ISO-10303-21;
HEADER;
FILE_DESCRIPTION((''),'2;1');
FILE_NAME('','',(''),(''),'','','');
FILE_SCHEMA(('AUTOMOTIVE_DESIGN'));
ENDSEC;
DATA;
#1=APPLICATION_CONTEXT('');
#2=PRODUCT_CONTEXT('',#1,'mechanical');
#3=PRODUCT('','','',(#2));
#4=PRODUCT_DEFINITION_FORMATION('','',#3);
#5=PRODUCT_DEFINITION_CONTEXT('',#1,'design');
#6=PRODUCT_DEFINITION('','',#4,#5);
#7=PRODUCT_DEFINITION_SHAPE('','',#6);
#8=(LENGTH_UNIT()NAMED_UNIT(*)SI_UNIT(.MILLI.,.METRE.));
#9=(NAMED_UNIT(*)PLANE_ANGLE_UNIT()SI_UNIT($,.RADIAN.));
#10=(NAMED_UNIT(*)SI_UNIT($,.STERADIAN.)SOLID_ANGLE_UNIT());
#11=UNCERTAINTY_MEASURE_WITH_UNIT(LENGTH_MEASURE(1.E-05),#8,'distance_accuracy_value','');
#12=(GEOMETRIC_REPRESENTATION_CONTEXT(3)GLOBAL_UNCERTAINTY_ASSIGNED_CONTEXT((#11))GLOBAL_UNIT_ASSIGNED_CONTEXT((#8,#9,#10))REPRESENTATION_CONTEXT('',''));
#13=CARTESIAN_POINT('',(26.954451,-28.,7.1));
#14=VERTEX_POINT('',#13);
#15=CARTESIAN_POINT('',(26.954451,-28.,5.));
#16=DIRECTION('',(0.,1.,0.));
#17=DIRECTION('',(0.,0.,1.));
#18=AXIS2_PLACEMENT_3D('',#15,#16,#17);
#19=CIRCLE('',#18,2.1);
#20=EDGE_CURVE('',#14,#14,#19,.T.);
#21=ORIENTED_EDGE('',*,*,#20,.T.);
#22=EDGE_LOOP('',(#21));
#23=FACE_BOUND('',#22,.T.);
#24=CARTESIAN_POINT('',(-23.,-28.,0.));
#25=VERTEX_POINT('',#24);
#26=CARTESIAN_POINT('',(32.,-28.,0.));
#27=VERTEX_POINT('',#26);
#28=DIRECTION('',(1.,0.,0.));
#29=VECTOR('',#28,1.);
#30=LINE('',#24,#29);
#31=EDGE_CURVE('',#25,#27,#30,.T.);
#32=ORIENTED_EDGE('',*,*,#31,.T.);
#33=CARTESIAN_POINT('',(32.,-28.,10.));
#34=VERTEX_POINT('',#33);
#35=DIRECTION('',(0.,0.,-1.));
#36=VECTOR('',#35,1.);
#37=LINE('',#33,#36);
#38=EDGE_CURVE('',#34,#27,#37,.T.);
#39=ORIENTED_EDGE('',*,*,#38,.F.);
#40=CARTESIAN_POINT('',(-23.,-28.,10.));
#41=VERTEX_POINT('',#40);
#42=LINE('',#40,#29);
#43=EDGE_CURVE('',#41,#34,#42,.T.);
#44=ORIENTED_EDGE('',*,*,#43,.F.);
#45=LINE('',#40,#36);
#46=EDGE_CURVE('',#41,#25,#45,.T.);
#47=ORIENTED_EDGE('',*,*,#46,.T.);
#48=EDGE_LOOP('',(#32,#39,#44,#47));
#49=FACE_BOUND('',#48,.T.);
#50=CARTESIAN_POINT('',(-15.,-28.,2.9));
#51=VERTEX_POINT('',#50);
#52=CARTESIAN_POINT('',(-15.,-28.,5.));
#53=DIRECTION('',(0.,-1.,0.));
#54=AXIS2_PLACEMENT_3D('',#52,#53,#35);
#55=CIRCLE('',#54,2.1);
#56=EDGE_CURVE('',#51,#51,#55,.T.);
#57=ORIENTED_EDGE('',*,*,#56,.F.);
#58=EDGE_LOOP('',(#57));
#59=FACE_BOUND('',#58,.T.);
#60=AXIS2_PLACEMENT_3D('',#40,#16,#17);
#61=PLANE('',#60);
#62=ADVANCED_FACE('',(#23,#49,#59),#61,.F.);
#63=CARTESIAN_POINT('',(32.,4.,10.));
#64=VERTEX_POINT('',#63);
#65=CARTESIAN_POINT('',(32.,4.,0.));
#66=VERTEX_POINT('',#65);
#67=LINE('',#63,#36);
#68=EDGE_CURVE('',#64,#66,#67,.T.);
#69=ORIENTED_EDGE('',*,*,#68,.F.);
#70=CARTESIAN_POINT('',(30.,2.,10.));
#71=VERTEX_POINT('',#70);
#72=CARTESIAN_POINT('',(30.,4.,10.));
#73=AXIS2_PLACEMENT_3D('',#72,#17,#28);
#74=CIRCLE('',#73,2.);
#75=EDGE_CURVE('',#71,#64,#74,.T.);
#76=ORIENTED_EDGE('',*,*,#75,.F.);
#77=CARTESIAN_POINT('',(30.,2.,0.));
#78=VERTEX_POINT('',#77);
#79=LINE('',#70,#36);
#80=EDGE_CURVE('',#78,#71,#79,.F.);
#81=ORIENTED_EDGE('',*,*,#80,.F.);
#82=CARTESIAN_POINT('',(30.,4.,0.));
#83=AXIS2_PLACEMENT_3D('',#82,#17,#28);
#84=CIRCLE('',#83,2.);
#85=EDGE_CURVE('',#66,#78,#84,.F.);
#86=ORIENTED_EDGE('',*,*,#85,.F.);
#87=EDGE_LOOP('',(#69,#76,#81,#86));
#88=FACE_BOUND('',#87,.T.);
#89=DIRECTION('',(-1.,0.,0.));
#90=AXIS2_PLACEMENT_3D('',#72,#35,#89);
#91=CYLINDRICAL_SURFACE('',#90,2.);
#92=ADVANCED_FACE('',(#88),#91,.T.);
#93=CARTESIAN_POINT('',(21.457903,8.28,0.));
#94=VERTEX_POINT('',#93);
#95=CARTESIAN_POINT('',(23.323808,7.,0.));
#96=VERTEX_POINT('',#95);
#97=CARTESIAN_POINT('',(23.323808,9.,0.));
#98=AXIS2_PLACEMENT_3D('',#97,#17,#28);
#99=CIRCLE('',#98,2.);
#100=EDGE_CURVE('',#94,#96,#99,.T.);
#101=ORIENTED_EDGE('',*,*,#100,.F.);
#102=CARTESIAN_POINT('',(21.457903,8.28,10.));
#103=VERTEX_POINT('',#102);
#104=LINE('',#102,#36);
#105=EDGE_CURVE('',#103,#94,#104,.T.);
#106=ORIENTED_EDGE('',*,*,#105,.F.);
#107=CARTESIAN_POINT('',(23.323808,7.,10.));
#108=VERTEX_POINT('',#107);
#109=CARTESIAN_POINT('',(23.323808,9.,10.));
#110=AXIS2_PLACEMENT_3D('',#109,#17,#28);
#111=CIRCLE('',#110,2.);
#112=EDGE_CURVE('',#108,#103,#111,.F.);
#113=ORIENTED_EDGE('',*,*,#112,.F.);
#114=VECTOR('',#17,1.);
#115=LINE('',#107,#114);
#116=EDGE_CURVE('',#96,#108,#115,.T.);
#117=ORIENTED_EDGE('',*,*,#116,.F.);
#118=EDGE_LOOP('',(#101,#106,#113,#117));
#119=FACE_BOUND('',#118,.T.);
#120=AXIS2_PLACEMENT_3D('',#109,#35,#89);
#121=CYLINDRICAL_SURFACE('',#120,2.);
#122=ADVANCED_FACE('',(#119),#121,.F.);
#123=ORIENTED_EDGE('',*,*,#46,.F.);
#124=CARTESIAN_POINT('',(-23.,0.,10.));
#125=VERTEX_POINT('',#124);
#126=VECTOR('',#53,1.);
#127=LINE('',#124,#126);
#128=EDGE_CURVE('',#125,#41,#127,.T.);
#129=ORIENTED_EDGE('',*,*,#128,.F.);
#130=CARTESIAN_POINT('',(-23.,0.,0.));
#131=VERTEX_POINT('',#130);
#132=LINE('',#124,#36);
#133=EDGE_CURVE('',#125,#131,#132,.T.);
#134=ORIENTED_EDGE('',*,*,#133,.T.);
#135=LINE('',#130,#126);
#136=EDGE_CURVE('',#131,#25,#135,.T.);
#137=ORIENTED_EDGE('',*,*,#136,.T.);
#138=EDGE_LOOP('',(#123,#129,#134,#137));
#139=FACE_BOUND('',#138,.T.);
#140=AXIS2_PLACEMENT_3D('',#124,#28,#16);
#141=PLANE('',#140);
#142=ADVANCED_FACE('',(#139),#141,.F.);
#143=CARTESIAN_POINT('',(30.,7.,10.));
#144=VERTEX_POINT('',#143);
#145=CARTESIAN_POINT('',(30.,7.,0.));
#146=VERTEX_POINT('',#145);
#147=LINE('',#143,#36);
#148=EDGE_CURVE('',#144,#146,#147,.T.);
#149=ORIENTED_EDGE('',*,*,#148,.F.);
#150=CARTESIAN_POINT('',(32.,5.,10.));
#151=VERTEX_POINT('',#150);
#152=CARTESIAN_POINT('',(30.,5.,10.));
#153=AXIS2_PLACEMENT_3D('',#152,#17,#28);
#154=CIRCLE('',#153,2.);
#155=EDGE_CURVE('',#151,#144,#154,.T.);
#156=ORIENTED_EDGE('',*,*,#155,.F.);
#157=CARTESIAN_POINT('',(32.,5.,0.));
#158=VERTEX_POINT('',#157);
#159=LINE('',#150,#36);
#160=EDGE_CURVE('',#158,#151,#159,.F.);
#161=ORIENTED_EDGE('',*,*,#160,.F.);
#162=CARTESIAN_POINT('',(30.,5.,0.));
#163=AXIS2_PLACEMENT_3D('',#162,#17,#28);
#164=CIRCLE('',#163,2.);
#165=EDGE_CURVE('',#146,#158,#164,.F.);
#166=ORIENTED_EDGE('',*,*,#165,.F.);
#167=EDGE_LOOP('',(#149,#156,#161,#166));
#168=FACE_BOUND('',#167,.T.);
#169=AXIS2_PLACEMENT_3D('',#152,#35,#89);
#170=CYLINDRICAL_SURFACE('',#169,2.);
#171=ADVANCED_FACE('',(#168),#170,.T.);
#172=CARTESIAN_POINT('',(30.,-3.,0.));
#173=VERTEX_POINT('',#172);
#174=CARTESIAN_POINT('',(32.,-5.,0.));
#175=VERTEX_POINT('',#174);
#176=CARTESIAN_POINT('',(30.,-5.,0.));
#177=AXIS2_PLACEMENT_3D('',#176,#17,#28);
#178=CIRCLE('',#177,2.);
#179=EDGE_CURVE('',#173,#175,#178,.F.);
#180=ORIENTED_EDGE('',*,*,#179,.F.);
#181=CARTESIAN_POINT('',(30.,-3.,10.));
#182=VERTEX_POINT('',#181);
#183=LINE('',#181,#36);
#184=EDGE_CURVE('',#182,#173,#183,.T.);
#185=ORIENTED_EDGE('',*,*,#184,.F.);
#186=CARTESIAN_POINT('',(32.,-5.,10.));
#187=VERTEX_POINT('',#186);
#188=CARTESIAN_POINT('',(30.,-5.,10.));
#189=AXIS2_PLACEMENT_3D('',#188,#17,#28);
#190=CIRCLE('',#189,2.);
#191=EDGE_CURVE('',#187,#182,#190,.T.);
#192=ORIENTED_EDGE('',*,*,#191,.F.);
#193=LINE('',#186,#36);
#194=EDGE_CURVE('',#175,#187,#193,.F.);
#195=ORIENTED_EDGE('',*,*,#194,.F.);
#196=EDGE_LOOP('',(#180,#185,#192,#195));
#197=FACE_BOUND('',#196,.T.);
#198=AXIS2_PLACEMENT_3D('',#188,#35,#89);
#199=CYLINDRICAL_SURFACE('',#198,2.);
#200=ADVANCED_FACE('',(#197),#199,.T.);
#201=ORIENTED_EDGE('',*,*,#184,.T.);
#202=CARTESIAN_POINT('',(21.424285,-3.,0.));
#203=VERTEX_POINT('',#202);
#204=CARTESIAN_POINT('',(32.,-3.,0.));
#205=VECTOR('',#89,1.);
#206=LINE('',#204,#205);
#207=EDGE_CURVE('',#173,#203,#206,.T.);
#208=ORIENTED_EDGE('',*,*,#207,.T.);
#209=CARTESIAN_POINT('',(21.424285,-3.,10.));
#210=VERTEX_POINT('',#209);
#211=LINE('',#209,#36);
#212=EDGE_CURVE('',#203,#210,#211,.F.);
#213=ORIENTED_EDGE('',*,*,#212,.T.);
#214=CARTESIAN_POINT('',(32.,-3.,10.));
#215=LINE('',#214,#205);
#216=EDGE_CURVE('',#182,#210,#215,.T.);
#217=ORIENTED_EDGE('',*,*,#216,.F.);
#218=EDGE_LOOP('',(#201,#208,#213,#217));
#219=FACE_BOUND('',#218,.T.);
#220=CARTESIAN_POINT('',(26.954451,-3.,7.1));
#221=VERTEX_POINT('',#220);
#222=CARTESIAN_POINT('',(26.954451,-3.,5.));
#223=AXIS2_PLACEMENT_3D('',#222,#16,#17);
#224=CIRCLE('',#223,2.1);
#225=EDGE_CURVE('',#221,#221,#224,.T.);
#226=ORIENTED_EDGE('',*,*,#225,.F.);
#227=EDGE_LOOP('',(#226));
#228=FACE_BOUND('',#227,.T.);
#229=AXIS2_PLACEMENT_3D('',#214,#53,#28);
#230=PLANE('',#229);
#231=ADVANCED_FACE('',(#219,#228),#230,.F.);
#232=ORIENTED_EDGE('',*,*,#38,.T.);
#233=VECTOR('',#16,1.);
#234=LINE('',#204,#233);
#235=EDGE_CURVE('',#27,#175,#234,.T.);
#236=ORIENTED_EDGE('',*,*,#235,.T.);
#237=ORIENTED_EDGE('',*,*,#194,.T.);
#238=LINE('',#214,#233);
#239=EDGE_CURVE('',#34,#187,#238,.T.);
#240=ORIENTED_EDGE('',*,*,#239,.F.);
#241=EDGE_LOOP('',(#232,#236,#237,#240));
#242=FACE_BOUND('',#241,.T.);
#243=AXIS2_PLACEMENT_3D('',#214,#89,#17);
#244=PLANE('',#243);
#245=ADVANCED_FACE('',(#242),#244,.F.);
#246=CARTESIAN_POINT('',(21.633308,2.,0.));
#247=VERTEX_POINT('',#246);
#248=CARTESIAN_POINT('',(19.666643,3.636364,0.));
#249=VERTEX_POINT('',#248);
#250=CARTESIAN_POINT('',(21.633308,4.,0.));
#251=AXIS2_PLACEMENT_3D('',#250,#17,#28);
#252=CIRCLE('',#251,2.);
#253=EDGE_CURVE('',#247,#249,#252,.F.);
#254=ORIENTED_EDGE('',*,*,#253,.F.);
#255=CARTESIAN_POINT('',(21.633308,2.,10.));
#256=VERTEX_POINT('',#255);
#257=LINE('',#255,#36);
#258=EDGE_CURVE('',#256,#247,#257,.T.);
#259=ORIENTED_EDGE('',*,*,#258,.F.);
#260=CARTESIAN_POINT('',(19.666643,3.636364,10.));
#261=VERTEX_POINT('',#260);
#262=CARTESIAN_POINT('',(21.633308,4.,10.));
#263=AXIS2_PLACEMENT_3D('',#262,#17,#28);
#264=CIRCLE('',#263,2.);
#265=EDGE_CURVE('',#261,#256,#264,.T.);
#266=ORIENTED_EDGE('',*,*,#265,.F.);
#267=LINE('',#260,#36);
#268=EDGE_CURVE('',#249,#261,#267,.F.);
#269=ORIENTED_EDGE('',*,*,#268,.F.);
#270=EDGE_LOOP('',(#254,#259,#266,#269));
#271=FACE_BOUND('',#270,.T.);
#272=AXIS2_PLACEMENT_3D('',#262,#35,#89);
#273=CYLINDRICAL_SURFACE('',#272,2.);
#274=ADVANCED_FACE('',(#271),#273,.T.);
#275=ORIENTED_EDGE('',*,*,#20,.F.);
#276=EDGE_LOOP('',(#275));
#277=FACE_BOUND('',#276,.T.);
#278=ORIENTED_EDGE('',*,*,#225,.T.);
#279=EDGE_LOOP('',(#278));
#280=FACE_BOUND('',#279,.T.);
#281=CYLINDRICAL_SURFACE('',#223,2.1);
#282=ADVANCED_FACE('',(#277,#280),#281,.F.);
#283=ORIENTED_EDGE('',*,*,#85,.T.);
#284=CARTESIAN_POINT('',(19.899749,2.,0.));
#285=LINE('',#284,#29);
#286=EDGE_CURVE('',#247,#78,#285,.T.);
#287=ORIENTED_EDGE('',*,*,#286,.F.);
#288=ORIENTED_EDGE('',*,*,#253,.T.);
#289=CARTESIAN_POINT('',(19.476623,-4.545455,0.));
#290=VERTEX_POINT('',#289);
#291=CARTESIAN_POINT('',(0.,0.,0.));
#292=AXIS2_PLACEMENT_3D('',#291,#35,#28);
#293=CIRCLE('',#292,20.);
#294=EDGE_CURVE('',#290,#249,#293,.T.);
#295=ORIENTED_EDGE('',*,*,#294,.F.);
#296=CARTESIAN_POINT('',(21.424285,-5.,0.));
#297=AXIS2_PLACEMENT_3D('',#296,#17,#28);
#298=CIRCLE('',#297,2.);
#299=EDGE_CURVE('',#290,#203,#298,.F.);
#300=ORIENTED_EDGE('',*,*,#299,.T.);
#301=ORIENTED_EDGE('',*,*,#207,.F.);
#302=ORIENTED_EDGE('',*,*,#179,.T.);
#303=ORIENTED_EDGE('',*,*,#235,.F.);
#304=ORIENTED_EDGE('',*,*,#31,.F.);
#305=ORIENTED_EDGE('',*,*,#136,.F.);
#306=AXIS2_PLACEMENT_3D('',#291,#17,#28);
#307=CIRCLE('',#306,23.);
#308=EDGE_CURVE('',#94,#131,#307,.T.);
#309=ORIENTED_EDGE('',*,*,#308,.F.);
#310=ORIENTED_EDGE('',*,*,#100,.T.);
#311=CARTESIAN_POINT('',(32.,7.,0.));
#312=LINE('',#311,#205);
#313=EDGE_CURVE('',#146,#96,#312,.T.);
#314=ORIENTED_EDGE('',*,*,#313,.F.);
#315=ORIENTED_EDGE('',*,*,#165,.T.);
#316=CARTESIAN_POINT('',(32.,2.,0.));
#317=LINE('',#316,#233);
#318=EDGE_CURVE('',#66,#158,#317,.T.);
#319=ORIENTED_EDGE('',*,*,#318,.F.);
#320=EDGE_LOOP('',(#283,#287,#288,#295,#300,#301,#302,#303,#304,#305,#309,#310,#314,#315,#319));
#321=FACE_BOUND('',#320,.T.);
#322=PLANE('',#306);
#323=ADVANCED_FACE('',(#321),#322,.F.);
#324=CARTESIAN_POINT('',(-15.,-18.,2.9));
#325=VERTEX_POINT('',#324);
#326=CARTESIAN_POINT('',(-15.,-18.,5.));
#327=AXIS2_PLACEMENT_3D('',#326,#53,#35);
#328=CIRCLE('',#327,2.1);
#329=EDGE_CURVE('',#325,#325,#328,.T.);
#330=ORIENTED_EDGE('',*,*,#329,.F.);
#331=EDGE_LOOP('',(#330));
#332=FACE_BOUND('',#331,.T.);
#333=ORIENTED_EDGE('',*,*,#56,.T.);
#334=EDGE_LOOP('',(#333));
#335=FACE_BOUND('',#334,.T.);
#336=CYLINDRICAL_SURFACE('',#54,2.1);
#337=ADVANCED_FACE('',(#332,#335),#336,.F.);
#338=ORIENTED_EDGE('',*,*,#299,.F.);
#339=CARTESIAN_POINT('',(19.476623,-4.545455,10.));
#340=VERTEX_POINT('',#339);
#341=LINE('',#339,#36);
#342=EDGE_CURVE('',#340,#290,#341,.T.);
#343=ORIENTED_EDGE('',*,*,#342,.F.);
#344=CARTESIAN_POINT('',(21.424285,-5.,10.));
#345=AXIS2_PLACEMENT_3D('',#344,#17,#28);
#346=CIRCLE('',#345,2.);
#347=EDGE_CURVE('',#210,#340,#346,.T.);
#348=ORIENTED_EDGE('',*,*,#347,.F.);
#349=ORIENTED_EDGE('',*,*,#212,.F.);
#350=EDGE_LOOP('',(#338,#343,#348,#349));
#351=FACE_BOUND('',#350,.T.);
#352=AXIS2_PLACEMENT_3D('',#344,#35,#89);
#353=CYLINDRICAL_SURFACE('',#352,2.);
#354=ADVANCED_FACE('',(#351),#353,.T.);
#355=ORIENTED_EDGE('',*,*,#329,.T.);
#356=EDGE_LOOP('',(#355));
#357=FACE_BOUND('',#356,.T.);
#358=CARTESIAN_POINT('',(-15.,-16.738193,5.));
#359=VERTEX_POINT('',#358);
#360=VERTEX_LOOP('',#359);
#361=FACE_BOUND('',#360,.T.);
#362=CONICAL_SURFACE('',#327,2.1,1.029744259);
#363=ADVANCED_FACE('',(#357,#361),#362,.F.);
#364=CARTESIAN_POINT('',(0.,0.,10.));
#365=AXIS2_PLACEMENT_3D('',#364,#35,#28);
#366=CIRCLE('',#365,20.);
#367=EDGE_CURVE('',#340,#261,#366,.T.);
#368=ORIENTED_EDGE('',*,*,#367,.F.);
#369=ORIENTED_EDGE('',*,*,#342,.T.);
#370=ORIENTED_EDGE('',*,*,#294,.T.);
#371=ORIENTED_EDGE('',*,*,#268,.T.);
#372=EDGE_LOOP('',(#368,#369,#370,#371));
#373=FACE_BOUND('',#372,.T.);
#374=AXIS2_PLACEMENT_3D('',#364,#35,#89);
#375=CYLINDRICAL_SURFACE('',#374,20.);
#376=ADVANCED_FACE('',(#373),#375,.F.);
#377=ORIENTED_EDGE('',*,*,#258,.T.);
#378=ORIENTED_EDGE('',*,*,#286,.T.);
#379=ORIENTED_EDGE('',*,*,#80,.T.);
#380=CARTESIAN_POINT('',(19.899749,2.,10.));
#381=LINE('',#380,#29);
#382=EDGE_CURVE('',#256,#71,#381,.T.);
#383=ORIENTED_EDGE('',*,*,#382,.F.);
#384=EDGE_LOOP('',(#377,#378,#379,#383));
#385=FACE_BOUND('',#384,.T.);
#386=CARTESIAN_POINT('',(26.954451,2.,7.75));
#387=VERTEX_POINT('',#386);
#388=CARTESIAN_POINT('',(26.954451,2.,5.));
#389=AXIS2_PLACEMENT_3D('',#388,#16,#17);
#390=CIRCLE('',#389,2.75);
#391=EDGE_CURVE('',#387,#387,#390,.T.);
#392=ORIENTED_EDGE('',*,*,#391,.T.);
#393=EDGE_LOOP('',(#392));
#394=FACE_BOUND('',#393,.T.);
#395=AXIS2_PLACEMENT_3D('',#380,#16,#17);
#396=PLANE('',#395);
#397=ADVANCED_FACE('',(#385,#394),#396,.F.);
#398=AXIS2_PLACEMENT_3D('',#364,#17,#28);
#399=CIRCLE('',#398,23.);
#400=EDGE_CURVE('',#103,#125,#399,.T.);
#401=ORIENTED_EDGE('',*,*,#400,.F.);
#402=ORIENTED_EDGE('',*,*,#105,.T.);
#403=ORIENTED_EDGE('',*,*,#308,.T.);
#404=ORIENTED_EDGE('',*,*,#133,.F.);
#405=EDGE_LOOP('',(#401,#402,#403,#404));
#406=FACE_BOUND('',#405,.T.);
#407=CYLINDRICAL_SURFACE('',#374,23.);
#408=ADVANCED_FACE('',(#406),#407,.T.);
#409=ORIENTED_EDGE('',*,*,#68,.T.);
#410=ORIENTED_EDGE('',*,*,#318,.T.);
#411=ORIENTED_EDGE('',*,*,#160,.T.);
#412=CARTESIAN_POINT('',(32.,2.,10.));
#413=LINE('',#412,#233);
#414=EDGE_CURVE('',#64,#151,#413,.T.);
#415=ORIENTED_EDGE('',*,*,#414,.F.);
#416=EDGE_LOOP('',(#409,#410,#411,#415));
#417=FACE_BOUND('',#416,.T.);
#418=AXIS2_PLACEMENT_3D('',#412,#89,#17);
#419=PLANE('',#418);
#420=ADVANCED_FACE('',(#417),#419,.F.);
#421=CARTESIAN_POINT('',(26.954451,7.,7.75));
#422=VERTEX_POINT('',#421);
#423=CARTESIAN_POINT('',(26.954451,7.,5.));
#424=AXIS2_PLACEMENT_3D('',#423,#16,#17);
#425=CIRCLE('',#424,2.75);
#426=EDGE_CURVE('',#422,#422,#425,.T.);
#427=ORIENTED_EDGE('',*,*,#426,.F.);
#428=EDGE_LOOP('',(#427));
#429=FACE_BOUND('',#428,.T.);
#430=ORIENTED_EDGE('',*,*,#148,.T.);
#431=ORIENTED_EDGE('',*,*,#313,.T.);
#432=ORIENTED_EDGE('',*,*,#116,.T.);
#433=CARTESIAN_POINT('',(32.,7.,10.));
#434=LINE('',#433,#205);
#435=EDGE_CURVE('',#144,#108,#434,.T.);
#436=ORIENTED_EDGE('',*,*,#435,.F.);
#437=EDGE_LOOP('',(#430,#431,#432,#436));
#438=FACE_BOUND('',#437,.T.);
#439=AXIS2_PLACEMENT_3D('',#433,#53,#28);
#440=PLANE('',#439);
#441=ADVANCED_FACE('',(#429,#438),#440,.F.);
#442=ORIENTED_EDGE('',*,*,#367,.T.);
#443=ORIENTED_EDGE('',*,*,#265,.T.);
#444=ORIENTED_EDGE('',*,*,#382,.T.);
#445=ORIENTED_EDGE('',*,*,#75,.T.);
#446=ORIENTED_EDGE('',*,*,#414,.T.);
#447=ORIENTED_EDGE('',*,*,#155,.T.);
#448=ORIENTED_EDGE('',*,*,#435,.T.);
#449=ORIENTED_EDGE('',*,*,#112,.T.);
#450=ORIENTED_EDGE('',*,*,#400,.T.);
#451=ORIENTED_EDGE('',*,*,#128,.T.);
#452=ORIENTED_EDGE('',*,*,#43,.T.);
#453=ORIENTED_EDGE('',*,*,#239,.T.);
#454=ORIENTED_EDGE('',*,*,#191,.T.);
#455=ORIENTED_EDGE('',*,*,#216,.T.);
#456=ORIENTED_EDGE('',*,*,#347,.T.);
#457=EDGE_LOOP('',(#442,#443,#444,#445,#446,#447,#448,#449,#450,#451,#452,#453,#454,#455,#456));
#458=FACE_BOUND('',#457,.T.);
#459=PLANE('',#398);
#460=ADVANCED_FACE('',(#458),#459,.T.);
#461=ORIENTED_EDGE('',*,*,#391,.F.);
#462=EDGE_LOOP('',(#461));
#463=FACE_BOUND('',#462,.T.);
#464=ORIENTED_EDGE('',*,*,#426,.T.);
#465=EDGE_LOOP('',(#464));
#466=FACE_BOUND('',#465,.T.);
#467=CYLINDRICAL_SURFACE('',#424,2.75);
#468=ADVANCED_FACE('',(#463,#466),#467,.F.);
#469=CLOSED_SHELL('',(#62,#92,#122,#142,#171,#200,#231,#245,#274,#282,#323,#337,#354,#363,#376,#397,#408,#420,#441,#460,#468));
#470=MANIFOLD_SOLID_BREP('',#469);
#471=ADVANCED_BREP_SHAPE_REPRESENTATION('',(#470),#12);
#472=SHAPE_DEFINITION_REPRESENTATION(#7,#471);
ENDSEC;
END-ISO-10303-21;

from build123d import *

# Parameters (mm, degrees)
EXTRUDE_1_DEPTH       = 10
FILLET_1_R            = 2
HOLE_WIZARD_M51_D     = 5.5
HOLE_WIZARD_M51_DEPTH = 5
M5X0_81_D             = 4.2
M5X0_82_D             = 4.2
M5X0_82_DEPTH         = 10
M5X0_82_TIP           = 1.2618073


with BuildPart() as part:
    # Эскиз1 → Бобышка-Вытянуть1 (new body)
    with BuildSketch(Plane.XY):
        with BuildLine():
            Line((32, -3), (19.773719933, -3))
            ThreePointArc((19.773719933, -3), (-19.993649721, 0.503955172), (19.899748742, 2))
            Line((19.899748742, 2), (32, 2))
            Line((32, 2), (32, 7))
            Line((32, 7), (21.9089023, 7))
            ThreePointArc((21.9089023, 7), (-3.54226249, 22.725588583), (-23, 0))
            Line((-23, 0), (-23, -28))
            Line((-23, -28), (32, -28))
            Line((32, -28), (32, -3))
        make_face()
    extrude(amount=EXTRUDE_1_DEPTH)

    # Скругление1
    fillet_1_edges = [part.edges().sort_by_distance(p)[0] for p in [
        (21.9089023, 7, 5),
        (32, 7, 5),
        (32, 2, 5),
        (19.899748742, 2, 5),
        (19.773719933, -3, 5),
        (32, -3, 5),
    ]]
    fillet(fillet_1_edges, radius=FILLET_1_R)

    # Отверстие с зазором M51
    with Locations(Plane(origin=(0, 7, 0), x_dir=(1, 0, 0), z_dir=(0, 1, 0))):
        with Locations((26.95445115, -5)):
            Hole(HOLE_WIZARD_M51_D / 2, depth=HOLE_WIZARD_M51_DEPTH)

    # Отверстие обработанное метчиком M5x0.81 (through all)
    with Locations(Plane(origin=(0, -3, 0), x_dir=(1, 0, 0), z_dir=(0, 1, 0))):
        with Locations((26.95445115, -5)):
            Hole(M5X0_81_D / 2)

    # Отверстие обработанное метчиком M5x0.82
    with Locations(Plane(origin=(0, -28, 0), x_dir=(-1, 0, 0), z_dir=(0, -1, 0))):
        with Locations((15, -5)):
            Hole(M5X0_82_D / 2, depth=M5X0_82_DEPTH)
            with Locations((0, 0, -(M5X0_82_DEPTH + M5X0_82_TIP / 2))):  # 118° drill point
                Cone(0, M5X0_82_D / 2, M5X0_82_TIP, mode=Mode.SUBTRACT)


solid = part.part
